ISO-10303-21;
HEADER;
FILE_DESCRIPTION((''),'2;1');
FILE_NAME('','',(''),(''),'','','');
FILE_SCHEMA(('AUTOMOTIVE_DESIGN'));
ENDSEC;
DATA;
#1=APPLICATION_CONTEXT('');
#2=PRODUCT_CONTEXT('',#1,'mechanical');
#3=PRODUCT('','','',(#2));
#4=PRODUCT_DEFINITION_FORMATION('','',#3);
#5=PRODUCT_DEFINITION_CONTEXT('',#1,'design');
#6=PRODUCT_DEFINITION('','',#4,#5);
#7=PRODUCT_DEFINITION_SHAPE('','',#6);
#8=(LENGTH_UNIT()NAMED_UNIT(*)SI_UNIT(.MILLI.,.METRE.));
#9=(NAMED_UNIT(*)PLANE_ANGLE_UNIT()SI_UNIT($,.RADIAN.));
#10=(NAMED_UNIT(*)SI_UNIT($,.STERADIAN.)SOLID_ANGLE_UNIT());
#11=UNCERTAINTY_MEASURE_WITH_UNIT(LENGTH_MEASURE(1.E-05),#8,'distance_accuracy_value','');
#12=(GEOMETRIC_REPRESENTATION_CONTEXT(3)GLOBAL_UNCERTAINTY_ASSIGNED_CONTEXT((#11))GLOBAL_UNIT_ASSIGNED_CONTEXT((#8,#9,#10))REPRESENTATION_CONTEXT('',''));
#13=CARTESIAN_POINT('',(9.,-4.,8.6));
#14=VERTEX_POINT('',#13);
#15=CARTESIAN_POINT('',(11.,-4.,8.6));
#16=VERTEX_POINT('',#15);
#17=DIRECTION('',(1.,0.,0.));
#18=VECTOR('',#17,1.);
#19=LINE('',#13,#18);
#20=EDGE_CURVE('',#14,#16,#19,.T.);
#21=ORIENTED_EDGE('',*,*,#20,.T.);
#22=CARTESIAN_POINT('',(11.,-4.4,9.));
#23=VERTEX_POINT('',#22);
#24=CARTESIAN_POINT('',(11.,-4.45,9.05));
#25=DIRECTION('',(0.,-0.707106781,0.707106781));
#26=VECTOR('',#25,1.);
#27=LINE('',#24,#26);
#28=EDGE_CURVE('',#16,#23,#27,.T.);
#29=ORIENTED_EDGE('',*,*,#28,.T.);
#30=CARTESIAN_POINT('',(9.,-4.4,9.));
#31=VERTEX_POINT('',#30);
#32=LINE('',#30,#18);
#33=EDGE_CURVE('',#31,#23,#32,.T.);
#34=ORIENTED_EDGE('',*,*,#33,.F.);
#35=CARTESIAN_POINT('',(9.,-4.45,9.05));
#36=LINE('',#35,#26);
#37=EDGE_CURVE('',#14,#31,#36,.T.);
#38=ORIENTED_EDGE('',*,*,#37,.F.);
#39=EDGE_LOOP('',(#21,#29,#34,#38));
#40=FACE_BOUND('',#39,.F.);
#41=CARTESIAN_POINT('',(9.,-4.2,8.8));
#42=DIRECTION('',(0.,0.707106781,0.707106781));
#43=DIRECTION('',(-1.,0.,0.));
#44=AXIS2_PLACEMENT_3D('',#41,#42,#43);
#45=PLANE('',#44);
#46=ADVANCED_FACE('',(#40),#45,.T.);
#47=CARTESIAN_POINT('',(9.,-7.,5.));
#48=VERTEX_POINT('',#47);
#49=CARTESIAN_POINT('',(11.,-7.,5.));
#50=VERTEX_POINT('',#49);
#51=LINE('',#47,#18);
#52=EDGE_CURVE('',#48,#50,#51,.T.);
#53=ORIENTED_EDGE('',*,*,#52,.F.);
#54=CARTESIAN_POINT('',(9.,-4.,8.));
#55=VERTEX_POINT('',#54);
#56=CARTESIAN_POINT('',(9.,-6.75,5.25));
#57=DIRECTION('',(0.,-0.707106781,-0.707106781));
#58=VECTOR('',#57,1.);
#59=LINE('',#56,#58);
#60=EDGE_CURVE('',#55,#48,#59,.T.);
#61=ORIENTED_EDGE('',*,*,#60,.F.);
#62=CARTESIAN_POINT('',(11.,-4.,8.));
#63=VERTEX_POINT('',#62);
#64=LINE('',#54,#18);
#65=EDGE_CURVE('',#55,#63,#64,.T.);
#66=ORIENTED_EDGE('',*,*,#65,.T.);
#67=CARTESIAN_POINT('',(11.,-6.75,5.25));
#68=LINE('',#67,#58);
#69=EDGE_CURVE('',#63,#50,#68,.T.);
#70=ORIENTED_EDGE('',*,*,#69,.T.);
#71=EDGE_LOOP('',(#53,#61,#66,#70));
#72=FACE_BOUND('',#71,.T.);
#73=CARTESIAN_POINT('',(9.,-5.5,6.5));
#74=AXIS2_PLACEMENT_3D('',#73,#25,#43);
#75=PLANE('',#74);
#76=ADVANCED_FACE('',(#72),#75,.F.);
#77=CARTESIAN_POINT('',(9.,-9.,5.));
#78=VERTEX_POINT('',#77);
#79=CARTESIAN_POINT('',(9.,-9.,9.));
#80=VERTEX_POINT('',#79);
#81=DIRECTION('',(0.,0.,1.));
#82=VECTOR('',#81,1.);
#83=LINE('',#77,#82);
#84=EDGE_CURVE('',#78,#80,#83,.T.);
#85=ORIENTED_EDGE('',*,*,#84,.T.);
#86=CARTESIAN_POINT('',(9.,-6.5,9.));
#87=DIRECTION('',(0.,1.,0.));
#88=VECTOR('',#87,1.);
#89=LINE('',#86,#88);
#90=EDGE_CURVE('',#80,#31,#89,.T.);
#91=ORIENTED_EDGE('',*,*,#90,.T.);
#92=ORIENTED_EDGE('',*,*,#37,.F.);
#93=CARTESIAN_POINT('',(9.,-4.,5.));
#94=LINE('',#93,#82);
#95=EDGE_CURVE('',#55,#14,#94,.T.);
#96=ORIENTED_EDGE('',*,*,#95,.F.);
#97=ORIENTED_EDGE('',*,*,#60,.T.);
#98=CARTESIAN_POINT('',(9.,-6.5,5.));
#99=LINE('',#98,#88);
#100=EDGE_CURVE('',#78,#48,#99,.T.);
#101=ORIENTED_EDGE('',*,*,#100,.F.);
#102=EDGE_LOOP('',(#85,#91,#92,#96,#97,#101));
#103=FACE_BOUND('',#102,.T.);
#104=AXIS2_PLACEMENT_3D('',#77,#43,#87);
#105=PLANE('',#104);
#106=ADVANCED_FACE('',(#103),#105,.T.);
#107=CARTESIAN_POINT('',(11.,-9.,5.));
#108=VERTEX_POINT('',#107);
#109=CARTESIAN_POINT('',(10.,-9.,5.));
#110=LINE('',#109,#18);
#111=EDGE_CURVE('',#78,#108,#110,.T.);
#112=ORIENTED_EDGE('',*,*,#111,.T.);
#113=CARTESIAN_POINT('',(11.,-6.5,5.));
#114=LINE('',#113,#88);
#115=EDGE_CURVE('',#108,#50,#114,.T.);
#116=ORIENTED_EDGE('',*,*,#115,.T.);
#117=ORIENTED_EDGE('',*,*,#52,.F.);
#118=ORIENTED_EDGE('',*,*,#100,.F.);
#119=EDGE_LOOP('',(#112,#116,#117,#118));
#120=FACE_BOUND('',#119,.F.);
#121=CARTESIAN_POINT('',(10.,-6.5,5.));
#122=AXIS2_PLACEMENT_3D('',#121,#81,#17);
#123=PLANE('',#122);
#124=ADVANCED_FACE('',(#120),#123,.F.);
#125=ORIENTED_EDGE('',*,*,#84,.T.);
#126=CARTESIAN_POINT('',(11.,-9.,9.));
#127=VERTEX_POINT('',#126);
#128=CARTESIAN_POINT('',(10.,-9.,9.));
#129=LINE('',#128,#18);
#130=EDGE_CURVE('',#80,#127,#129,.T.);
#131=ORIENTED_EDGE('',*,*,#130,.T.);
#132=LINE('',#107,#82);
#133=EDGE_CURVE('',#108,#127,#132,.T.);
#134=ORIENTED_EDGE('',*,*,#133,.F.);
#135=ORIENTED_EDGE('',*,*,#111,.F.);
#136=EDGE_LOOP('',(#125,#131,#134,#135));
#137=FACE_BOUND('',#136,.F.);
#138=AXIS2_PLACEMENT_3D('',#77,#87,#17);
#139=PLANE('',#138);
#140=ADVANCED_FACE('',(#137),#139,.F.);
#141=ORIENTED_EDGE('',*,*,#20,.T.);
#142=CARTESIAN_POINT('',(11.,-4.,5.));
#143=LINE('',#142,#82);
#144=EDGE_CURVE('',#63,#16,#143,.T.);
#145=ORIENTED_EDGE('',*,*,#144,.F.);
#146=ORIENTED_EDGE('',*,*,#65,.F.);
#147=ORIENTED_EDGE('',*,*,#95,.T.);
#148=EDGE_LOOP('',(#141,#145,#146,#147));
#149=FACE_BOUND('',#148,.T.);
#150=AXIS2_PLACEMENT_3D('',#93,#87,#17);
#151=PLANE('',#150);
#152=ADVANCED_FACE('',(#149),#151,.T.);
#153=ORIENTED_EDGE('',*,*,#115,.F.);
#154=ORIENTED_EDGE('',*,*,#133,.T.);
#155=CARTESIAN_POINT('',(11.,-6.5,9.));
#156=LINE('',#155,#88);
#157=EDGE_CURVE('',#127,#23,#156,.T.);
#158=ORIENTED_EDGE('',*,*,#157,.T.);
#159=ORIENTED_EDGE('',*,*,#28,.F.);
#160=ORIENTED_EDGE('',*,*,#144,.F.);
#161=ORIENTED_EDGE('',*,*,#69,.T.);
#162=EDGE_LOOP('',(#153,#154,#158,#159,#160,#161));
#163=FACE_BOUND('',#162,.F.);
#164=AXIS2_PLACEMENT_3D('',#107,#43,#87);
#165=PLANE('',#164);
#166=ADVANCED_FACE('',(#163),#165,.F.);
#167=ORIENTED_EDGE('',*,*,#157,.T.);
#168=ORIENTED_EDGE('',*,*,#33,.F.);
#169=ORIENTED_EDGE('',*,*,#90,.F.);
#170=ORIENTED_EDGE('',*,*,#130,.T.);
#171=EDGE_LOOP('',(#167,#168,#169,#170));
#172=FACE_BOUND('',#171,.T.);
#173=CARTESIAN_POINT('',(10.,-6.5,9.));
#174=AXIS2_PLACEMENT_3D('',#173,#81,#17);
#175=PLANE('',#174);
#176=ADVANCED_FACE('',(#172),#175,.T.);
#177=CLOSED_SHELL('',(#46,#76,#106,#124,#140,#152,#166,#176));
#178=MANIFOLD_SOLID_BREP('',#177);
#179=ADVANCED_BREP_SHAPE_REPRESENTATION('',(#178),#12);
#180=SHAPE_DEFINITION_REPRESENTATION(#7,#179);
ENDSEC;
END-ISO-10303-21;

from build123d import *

# Parameters (mm, degrees)
BOX011_W        = 2
BOX011_H        = 5
BOX011_DEPTH    = 4
CHAMFER005_SIZE = 3
CHAMFER006_SIZE = 0.4


with BuildPart() as part:
    # Box011 → Box011 (new body)
    with BuildSketch(Plane(origin=(9, 0, 7), x_dir=(1, 0, 0), z_dir=(0, 0, 1))):
        with Locations((1, 2.5)):
            Rectangle(BOX011_W, BOX011_H)
    extrude(amount=BOX011_DEPTH)

    # Chamfer005
    chamfer005_edges = [part.edges().sort_by_distance(p)[0] for p in [
        (10, 5, 7),
    ]]
    chamfer(chamfer005_edges, length=CHAMFER005_SIZE)


with BuildPart() as part_1:
    # Chamfer005 placement: moved
    add(part.part.moved(Location((0, -9, -2))))

    # Chamfer006
    chamfer006_edges = [part_1.edges().sort_by_distance(p)[0] for p in [
        (10, -4, 9),
    ]]
    chamfer(chamfer006_edges, length=CHAMFER006_SIZE)


solid = part_1.part
